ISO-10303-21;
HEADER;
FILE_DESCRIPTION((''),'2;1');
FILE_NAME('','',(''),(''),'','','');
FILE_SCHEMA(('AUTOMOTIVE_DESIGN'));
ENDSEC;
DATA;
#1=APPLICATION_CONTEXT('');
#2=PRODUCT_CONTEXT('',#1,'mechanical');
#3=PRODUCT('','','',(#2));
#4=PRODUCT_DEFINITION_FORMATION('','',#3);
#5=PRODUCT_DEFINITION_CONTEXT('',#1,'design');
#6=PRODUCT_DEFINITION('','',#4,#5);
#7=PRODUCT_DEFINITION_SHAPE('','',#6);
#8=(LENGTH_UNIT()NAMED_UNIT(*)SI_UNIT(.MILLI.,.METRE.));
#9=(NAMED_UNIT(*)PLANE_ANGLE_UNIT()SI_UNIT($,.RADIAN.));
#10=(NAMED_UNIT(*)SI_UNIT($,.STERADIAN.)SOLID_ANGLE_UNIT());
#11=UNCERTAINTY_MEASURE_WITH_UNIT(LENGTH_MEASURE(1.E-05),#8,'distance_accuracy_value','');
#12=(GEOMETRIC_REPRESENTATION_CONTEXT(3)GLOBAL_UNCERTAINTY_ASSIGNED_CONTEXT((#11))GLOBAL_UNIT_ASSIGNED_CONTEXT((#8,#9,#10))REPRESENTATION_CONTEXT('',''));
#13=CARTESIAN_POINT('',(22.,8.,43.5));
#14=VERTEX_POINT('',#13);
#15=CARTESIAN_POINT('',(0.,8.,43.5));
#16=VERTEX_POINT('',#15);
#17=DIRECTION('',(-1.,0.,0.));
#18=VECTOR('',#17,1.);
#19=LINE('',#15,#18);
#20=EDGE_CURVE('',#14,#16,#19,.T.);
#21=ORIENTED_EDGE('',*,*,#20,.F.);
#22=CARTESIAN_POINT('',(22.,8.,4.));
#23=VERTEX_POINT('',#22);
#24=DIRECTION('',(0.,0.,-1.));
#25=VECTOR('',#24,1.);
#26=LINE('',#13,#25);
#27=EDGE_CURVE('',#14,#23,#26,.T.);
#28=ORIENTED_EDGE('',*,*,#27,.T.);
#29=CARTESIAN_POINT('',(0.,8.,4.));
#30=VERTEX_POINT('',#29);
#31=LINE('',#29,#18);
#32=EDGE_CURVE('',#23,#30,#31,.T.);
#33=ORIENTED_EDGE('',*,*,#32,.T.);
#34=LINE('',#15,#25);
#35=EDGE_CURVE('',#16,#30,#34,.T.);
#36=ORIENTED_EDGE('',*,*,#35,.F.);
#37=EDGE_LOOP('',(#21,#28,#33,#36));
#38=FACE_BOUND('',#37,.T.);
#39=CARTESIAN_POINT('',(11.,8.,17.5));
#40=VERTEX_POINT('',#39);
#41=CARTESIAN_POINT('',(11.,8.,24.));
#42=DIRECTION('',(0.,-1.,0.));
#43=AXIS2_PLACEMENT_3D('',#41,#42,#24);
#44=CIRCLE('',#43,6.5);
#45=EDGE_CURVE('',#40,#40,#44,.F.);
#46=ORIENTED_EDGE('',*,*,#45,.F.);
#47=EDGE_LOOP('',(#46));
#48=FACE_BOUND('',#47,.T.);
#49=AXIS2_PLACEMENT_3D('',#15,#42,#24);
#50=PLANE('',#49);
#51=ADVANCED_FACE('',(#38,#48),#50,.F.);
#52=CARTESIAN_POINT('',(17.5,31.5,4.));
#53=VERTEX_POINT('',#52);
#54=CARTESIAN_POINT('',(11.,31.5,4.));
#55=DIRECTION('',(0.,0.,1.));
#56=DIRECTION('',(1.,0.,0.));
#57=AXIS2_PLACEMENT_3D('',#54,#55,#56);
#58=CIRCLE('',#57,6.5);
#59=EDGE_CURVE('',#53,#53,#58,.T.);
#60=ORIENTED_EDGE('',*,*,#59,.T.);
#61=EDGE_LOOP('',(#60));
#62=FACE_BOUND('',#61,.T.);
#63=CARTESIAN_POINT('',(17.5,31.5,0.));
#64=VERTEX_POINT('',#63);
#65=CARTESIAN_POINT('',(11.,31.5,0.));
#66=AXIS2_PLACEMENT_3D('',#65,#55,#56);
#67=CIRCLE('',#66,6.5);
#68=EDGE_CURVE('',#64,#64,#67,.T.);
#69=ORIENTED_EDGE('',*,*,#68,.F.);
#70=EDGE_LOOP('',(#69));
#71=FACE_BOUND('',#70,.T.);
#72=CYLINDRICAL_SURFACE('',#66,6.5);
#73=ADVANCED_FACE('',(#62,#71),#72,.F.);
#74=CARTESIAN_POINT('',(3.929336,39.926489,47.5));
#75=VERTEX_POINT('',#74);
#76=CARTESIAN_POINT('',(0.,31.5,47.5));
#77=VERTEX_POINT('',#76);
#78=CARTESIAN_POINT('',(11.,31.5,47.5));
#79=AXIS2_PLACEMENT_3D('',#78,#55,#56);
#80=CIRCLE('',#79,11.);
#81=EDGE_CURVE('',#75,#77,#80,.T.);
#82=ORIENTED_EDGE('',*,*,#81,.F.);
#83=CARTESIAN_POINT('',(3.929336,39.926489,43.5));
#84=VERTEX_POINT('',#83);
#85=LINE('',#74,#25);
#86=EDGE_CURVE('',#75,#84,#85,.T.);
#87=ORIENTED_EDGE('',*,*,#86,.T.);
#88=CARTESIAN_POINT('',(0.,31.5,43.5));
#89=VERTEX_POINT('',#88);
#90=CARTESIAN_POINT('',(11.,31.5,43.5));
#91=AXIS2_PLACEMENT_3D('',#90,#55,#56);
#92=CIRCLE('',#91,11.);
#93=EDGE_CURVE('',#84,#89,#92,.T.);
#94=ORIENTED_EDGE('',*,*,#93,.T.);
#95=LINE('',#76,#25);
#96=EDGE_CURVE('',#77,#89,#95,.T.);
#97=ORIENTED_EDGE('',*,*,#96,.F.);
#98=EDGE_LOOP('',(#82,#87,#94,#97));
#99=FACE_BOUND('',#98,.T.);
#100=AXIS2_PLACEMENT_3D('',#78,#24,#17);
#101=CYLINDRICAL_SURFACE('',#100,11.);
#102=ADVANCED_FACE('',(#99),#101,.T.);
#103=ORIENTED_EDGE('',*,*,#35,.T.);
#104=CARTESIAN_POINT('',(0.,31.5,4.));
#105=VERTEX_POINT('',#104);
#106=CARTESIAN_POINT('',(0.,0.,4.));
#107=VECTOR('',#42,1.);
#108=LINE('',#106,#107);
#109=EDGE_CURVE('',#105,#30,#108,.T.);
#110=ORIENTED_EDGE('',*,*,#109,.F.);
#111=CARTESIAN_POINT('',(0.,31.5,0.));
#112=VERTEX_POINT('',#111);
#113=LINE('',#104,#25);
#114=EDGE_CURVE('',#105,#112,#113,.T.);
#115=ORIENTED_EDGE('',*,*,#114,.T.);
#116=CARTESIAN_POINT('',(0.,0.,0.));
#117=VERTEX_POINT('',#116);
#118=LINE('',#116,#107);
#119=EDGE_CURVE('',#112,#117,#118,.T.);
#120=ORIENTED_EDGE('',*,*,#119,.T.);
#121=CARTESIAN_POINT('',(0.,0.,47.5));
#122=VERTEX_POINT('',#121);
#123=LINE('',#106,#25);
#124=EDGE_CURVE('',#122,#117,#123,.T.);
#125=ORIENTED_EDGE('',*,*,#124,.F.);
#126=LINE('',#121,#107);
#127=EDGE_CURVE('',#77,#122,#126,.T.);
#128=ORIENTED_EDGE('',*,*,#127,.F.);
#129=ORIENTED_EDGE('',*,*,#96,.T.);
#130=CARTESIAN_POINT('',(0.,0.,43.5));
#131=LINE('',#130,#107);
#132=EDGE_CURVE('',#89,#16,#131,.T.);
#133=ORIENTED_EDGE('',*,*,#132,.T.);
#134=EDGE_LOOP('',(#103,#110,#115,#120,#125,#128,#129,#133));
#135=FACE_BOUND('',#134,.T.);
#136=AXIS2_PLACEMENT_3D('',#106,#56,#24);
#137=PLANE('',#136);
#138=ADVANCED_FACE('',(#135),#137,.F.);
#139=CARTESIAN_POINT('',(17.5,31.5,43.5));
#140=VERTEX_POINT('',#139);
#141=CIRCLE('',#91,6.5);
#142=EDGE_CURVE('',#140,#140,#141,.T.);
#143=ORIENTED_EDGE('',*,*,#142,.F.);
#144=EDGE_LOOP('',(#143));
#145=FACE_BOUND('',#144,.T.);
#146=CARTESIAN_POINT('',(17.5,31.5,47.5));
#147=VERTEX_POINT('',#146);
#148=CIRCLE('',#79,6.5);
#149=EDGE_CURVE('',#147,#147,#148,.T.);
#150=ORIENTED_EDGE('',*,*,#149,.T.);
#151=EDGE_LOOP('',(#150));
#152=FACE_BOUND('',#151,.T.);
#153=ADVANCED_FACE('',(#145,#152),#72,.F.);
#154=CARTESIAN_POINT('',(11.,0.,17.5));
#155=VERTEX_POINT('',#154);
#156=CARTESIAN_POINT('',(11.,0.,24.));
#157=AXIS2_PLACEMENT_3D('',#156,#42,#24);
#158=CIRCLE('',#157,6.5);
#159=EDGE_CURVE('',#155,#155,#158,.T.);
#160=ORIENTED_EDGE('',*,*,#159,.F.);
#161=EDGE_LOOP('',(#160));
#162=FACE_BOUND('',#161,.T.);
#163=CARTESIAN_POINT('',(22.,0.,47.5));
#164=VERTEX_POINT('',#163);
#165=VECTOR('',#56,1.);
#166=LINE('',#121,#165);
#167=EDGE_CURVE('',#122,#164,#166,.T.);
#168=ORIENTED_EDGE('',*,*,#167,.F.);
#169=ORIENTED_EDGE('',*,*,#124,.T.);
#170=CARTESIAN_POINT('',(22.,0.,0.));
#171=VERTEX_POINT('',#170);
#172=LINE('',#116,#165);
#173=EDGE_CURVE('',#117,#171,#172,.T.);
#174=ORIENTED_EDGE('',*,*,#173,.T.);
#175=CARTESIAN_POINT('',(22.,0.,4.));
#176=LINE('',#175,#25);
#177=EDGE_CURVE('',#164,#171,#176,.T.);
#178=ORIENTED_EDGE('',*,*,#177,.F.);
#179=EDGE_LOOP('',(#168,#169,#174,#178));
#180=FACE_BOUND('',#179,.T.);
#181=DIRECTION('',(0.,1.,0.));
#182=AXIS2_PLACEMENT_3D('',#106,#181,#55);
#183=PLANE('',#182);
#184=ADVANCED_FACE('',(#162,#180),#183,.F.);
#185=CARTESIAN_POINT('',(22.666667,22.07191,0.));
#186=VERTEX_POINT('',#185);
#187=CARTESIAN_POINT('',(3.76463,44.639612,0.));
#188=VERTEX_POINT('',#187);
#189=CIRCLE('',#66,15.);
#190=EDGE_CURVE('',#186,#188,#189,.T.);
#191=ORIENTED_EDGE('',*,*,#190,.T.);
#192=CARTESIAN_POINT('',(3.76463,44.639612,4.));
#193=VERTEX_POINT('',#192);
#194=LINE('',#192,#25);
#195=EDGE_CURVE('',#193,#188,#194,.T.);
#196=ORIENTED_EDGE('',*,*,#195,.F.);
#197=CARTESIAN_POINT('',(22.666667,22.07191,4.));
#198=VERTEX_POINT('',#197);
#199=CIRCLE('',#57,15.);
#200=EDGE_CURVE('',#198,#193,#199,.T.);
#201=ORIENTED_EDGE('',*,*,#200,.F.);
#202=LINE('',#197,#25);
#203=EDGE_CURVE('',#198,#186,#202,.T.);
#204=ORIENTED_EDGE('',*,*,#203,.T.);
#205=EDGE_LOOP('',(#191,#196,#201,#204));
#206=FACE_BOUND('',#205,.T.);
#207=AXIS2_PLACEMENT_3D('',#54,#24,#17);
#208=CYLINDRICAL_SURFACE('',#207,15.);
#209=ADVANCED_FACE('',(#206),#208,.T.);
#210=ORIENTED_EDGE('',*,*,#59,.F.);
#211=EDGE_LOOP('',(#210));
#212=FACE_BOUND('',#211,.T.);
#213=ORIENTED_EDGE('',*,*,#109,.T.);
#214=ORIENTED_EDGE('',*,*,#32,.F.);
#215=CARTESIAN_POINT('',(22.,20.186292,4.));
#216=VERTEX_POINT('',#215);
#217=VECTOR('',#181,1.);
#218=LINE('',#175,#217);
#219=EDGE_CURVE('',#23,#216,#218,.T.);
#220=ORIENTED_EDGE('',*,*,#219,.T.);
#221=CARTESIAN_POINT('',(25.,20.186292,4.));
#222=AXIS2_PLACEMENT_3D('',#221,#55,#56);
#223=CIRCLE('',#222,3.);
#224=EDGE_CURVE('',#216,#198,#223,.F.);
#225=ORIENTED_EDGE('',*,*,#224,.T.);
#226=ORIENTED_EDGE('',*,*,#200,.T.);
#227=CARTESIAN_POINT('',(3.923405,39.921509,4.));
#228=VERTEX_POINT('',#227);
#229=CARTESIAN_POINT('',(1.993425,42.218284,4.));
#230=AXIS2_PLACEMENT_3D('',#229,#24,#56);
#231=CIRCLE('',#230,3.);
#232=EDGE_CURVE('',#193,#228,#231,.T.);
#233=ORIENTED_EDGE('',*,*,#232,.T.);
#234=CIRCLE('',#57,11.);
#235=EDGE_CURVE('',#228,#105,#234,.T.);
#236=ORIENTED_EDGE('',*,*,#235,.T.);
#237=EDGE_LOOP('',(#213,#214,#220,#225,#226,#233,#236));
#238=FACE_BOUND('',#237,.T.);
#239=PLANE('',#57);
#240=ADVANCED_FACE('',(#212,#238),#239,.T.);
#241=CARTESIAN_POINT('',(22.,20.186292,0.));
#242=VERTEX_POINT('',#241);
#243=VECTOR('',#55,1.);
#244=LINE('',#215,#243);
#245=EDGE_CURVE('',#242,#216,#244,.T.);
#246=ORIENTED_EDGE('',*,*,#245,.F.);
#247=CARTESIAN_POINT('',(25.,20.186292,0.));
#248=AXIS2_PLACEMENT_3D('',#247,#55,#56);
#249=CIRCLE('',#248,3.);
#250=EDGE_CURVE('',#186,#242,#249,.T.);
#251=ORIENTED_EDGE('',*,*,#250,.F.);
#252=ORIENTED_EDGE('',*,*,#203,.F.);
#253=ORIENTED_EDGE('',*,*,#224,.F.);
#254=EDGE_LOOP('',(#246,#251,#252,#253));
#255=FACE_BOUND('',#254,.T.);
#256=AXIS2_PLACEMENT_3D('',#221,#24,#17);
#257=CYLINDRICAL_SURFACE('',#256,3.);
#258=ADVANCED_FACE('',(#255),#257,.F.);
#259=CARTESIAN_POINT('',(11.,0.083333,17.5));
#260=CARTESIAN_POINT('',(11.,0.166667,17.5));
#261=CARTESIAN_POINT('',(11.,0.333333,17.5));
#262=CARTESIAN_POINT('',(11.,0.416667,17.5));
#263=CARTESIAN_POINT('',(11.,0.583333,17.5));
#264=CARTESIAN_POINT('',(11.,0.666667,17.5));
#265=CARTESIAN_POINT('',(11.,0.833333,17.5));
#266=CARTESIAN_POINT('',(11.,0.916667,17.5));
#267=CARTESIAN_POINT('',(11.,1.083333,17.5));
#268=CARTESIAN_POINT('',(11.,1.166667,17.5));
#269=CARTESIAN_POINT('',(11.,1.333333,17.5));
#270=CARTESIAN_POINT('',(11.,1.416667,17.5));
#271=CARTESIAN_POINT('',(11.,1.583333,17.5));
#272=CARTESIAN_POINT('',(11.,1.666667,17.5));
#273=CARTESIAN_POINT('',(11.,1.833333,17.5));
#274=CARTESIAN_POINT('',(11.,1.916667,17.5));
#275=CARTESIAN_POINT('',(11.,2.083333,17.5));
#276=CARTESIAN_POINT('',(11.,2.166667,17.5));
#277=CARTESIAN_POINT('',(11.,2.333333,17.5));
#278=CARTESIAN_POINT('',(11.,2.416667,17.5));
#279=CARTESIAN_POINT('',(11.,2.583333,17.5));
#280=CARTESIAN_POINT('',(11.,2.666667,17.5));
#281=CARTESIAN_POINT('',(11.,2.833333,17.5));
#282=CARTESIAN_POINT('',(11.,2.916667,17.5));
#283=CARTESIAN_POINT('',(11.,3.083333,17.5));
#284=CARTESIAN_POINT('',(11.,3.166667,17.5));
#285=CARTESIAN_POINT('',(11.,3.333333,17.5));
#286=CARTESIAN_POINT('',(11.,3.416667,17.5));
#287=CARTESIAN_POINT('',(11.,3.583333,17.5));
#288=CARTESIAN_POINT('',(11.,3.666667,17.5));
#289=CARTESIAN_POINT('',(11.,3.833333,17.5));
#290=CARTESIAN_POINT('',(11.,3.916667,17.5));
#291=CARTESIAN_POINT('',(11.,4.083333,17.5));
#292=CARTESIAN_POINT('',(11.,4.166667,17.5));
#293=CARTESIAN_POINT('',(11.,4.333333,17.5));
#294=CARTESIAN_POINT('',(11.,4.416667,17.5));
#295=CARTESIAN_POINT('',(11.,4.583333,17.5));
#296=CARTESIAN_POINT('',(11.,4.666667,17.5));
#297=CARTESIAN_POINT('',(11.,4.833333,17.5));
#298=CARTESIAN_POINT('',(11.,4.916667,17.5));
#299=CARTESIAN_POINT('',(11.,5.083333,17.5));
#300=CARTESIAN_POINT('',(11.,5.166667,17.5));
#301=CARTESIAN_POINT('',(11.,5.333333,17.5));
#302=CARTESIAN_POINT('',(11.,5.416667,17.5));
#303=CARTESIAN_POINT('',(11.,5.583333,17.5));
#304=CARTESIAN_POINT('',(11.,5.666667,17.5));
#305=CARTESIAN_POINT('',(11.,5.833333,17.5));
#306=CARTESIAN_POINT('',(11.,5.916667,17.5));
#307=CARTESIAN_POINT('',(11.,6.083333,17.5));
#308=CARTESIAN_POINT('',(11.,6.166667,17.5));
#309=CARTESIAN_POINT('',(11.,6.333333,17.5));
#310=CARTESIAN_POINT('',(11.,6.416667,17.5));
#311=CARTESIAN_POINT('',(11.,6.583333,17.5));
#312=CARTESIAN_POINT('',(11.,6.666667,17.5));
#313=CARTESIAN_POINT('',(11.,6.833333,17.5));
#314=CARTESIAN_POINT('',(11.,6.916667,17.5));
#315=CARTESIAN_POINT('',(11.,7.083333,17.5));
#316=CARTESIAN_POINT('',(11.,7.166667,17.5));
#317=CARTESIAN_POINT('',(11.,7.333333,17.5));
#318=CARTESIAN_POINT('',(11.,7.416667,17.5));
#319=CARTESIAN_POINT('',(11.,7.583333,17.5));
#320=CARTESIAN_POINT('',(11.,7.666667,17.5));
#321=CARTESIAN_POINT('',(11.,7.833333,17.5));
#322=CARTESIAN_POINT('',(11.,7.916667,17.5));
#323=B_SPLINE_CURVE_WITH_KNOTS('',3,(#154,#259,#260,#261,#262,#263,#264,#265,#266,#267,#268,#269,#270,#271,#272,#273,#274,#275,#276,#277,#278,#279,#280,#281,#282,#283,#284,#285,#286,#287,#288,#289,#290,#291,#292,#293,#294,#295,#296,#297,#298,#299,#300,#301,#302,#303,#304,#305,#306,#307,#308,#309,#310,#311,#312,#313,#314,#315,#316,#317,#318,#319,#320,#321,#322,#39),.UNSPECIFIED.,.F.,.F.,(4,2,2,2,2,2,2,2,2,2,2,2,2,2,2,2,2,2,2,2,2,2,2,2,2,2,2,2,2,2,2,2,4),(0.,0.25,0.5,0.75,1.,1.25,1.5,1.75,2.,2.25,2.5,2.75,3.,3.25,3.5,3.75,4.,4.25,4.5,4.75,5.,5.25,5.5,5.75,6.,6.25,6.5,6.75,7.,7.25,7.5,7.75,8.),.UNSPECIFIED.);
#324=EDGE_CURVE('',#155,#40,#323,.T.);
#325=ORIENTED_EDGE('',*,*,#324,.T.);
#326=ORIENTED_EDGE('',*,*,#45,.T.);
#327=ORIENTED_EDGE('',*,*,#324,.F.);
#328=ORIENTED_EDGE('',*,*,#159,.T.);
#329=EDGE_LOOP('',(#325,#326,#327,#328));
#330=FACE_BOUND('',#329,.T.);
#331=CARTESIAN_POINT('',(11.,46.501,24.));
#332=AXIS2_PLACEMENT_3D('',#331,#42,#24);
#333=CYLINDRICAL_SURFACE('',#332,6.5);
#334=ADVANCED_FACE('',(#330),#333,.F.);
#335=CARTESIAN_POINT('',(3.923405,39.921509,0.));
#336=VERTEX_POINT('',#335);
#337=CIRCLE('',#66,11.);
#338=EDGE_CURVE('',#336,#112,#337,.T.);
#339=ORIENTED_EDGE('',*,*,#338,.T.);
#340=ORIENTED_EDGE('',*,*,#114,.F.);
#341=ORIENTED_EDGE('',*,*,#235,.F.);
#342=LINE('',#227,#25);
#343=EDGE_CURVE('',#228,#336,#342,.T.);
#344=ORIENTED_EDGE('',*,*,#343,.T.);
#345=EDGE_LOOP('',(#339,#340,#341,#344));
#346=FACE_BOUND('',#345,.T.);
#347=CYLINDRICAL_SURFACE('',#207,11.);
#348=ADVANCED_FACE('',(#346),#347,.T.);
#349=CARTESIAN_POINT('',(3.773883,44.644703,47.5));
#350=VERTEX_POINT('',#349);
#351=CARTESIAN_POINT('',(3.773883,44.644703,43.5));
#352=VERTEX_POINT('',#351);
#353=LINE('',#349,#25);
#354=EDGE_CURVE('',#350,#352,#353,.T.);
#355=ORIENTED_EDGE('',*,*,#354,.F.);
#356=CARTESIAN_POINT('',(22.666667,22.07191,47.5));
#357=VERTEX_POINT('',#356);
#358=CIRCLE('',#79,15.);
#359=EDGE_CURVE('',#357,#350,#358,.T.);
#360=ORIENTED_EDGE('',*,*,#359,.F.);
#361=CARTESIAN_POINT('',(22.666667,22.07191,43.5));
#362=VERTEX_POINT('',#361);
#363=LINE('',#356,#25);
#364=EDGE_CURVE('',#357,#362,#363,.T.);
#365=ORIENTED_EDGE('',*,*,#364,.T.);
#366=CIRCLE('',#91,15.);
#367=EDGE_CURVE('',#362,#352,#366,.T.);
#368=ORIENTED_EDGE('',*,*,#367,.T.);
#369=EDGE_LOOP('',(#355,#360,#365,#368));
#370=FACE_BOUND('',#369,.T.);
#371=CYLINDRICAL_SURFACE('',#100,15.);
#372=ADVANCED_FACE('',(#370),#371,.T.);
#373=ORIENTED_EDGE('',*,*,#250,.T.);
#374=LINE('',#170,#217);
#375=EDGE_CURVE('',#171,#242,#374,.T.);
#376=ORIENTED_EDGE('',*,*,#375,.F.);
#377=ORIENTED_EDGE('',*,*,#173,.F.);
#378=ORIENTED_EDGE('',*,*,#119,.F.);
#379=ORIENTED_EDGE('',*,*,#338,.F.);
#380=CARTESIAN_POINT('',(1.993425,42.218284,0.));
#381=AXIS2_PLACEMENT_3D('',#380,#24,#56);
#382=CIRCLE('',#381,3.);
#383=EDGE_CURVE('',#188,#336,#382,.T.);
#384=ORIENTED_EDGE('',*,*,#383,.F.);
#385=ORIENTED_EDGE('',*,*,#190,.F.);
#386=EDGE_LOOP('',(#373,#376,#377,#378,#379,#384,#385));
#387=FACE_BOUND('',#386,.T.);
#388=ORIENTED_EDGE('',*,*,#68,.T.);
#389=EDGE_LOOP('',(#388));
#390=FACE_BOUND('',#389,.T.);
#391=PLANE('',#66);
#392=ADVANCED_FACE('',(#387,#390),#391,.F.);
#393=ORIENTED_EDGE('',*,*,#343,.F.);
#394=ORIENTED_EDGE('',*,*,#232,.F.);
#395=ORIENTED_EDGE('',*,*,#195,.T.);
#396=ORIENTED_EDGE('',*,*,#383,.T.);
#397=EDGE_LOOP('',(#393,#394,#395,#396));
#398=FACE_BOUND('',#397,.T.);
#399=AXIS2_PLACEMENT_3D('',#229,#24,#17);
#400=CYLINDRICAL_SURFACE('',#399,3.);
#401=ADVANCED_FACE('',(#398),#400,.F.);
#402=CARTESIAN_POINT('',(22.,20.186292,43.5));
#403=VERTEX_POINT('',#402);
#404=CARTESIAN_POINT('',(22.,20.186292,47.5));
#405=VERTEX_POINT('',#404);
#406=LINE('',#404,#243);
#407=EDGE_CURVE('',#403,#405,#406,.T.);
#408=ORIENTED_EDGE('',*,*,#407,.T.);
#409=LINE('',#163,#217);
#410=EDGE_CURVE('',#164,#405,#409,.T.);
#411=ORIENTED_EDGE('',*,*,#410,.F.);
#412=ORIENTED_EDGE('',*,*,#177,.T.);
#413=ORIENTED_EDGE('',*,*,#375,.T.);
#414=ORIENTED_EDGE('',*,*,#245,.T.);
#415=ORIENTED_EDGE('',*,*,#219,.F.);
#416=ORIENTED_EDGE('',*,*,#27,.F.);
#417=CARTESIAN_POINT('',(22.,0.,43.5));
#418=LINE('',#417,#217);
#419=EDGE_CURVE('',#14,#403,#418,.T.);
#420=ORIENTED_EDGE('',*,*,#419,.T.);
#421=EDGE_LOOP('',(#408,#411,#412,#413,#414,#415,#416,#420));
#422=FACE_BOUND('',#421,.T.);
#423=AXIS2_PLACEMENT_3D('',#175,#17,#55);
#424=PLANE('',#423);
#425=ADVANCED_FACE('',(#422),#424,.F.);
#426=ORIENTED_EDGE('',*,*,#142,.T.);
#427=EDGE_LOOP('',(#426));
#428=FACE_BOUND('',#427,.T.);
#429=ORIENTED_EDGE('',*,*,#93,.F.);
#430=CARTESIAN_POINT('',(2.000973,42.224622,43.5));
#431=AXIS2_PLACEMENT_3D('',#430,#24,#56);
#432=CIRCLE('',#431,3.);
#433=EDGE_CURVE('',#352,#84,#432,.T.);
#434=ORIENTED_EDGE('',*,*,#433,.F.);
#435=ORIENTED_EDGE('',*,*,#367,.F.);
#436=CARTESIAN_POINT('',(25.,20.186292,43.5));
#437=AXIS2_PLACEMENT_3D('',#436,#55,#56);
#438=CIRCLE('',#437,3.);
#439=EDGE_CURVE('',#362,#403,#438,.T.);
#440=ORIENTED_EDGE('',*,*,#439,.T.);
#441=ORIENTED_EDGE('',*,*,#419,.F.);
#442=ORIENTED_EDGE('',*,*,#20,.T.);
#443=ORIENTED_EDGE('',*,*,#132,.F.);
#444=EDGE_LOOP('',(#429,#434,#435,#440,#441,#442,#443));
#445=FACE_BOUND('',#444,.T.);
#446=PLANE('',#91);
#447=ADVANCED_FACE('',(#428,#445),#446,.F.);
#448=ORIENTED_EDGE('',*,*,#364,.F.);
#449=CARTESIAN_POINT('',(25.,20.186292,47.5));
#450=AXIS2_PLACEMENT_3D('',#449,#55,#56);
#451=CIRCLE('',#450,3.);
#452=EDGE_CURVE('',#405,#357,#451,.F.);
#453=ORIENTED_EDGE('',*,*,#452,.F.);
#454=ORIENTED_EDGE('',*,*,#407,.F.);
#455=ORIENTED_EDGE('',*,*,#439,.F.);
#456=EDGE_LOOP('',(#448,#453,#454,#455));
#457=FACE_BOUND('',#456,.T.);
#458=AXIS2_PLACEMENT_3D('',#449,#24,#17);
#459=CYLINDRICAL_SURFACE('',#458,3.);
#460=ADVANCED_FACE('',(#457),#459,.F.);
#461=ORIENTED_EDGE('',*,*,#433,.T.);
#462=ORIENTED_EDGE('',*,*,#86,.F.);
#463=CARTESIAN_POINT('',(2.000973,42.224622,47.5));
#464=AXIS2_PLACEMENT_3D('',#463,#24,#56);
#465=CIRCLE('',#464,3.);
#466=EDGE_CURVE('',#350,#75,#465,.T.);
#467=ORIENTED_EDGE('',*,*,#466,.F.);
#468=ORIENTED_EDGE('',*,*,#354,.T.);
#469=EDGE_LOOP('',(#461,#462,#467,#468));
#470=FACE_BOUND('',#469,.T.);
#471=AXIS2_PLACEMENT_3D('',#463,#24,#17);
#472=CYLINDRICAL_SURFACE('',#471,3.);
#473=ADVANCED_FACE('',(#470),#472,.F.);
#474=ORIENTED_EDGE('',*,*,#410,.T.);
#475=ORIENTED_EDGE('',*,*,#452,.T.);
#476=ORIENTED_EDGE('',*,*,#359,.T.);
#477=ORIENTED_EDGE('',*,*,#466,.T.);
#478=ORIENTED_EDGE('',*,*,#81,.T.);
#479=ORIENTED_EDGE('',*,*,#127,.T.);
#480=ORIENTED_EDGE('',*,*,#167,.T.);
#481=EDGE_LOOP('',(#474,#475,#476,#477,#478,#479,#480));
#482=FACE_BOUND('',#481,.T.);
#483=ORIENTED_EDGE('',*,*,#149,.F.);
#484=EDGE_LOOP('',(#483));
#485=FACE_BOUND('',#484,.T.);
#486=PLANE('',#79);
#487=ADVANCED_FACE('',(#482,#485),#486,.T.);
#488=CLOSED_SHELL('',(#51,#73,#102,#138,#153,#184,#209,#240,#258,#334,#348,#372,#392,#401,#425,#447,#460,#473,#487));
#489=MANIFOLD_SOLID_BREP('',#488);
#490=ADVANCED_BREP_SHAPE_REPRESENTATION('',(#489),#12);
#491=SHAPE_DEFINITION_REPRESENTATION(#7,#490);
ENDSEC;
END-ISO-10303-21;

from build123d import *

# Parameters (mm, degrees)
BOSS_EXTRUDE1_DEPTH = 4
SKETCH2_W           = 22
SKETCH2_H           = 8
BOSS_EXTRUDE2_DEPTH = 39.5
BOSS_EXTRUDE3_DEPTH = 4
FILLET1_R           = 3
SKETCH4_R           = 6.5
CUT_EXTRUDE1_DEPTH  = 72.375766196
CUT_EXTRUDE2_REACH  = 73.376
SKETCH5_R           = 6.5


with BuildPart() as part:
    # Sketch1 → Boss-Extrude1 (new body)
    with BuildSketch(Plane.XY):
        with BuildLine():
            Line((0, 0), (22, 0))
            Line((22, 0), (22, 21.301960973))
            ThreePointArc((22, 21.301960973), (22.819670179, 40.735550707), (3.764629611, 44.63961245))
            ThreePointArc((3.764629611, 44.63961245), (4.991727504, 42.319183704), (3.923405192, 39.92150853))
            ThreePointArc((3.923405192, 39.92150853), (1.028978415, 36.145291009), (0, 31.5))
            Line((0, 31.5), (0, 0))
        make_face()
    extrude(amount=BOSS_EXTRUDE1_DEPTH)

    # Sketch2 → Boss-Extrude2 (add)
    with BuildSketch(Plane.XY.offset(4)):
        with Locations((11, 4)):
            Rectangle(SKETCH2_W, SKETCH2_H)
    extrude(amount=BOSS_EXTRUDE2_DEPTH)

    # Sketch3 → Boss-Extrude3 (add)
    with BuildSketch(Plane.XY.offset(43.5)):
        with BuildLine():
            Line((0, 0), (22, 0))
            Line((22, 0), (22, 21.301960973))
            ThreePointArc((22, 21.301960973), (22.822920693, 40.731389185), (3.773882637, 44.644703414))
            ThreePointArc((3.773882637, 44.644703414), (4.999346476, 42.323411278), (3.929336293, 39.926488874))
            ThreePointArc((3.929336293, 39.926488874), (1.030614343, 36.148800879), (0, 31.5))
            Line((0, 31.5), (0, 0))
        make_face()
    extrude(amount=BOSS_EXTRUDE3_DEPTH)

    # Fillet1
    fillet1_edges = [part.edges().sort_by_distance(p)[0] for p in [
        (22, 21.301960973, 2),
        (22, 21.301960973, 45.5),
    ]]
    fillet(fillet1_edges, radius=FILLET1_R)

    # Sketch4 → Cut-Extrude1 (cut, through all)
    with BuildSketch(Plane.XY.offset(47.5)):
        with Locations((11, 31.5)):
            Circle(SKETCH4_R)
    extrude(amount=-CUT_EXTRUDE1_DEPTH, mode=Mode.SUBTRACT)

    # Sketch5 → Cut-Extrude2 (cut, up to next)
    with BuildSketch(Plane(origin=(0, 0, 0), x_dir=(-1, 0, 0), z_dir=(0, -1, 0)), mode=Mode.PRIVATE) as cut_extrude2_sk1:
        with Locations(Location((-11, -24, 0), (0, 0, 90))):
            Circle(SKETCH5_R)
    cut_extrude2_tool1 = extrude(cut_extrude2_sk1.sketch, amount=-CUT_EXTRUDE2_REACH, mode=Mode.PRIVATE) & part.part
    add(cut_extrude2_tool1.solids().sort_by_distance((11, 0, 24))[0], mode=Mode.SUBTRACT)


solid = part.part
